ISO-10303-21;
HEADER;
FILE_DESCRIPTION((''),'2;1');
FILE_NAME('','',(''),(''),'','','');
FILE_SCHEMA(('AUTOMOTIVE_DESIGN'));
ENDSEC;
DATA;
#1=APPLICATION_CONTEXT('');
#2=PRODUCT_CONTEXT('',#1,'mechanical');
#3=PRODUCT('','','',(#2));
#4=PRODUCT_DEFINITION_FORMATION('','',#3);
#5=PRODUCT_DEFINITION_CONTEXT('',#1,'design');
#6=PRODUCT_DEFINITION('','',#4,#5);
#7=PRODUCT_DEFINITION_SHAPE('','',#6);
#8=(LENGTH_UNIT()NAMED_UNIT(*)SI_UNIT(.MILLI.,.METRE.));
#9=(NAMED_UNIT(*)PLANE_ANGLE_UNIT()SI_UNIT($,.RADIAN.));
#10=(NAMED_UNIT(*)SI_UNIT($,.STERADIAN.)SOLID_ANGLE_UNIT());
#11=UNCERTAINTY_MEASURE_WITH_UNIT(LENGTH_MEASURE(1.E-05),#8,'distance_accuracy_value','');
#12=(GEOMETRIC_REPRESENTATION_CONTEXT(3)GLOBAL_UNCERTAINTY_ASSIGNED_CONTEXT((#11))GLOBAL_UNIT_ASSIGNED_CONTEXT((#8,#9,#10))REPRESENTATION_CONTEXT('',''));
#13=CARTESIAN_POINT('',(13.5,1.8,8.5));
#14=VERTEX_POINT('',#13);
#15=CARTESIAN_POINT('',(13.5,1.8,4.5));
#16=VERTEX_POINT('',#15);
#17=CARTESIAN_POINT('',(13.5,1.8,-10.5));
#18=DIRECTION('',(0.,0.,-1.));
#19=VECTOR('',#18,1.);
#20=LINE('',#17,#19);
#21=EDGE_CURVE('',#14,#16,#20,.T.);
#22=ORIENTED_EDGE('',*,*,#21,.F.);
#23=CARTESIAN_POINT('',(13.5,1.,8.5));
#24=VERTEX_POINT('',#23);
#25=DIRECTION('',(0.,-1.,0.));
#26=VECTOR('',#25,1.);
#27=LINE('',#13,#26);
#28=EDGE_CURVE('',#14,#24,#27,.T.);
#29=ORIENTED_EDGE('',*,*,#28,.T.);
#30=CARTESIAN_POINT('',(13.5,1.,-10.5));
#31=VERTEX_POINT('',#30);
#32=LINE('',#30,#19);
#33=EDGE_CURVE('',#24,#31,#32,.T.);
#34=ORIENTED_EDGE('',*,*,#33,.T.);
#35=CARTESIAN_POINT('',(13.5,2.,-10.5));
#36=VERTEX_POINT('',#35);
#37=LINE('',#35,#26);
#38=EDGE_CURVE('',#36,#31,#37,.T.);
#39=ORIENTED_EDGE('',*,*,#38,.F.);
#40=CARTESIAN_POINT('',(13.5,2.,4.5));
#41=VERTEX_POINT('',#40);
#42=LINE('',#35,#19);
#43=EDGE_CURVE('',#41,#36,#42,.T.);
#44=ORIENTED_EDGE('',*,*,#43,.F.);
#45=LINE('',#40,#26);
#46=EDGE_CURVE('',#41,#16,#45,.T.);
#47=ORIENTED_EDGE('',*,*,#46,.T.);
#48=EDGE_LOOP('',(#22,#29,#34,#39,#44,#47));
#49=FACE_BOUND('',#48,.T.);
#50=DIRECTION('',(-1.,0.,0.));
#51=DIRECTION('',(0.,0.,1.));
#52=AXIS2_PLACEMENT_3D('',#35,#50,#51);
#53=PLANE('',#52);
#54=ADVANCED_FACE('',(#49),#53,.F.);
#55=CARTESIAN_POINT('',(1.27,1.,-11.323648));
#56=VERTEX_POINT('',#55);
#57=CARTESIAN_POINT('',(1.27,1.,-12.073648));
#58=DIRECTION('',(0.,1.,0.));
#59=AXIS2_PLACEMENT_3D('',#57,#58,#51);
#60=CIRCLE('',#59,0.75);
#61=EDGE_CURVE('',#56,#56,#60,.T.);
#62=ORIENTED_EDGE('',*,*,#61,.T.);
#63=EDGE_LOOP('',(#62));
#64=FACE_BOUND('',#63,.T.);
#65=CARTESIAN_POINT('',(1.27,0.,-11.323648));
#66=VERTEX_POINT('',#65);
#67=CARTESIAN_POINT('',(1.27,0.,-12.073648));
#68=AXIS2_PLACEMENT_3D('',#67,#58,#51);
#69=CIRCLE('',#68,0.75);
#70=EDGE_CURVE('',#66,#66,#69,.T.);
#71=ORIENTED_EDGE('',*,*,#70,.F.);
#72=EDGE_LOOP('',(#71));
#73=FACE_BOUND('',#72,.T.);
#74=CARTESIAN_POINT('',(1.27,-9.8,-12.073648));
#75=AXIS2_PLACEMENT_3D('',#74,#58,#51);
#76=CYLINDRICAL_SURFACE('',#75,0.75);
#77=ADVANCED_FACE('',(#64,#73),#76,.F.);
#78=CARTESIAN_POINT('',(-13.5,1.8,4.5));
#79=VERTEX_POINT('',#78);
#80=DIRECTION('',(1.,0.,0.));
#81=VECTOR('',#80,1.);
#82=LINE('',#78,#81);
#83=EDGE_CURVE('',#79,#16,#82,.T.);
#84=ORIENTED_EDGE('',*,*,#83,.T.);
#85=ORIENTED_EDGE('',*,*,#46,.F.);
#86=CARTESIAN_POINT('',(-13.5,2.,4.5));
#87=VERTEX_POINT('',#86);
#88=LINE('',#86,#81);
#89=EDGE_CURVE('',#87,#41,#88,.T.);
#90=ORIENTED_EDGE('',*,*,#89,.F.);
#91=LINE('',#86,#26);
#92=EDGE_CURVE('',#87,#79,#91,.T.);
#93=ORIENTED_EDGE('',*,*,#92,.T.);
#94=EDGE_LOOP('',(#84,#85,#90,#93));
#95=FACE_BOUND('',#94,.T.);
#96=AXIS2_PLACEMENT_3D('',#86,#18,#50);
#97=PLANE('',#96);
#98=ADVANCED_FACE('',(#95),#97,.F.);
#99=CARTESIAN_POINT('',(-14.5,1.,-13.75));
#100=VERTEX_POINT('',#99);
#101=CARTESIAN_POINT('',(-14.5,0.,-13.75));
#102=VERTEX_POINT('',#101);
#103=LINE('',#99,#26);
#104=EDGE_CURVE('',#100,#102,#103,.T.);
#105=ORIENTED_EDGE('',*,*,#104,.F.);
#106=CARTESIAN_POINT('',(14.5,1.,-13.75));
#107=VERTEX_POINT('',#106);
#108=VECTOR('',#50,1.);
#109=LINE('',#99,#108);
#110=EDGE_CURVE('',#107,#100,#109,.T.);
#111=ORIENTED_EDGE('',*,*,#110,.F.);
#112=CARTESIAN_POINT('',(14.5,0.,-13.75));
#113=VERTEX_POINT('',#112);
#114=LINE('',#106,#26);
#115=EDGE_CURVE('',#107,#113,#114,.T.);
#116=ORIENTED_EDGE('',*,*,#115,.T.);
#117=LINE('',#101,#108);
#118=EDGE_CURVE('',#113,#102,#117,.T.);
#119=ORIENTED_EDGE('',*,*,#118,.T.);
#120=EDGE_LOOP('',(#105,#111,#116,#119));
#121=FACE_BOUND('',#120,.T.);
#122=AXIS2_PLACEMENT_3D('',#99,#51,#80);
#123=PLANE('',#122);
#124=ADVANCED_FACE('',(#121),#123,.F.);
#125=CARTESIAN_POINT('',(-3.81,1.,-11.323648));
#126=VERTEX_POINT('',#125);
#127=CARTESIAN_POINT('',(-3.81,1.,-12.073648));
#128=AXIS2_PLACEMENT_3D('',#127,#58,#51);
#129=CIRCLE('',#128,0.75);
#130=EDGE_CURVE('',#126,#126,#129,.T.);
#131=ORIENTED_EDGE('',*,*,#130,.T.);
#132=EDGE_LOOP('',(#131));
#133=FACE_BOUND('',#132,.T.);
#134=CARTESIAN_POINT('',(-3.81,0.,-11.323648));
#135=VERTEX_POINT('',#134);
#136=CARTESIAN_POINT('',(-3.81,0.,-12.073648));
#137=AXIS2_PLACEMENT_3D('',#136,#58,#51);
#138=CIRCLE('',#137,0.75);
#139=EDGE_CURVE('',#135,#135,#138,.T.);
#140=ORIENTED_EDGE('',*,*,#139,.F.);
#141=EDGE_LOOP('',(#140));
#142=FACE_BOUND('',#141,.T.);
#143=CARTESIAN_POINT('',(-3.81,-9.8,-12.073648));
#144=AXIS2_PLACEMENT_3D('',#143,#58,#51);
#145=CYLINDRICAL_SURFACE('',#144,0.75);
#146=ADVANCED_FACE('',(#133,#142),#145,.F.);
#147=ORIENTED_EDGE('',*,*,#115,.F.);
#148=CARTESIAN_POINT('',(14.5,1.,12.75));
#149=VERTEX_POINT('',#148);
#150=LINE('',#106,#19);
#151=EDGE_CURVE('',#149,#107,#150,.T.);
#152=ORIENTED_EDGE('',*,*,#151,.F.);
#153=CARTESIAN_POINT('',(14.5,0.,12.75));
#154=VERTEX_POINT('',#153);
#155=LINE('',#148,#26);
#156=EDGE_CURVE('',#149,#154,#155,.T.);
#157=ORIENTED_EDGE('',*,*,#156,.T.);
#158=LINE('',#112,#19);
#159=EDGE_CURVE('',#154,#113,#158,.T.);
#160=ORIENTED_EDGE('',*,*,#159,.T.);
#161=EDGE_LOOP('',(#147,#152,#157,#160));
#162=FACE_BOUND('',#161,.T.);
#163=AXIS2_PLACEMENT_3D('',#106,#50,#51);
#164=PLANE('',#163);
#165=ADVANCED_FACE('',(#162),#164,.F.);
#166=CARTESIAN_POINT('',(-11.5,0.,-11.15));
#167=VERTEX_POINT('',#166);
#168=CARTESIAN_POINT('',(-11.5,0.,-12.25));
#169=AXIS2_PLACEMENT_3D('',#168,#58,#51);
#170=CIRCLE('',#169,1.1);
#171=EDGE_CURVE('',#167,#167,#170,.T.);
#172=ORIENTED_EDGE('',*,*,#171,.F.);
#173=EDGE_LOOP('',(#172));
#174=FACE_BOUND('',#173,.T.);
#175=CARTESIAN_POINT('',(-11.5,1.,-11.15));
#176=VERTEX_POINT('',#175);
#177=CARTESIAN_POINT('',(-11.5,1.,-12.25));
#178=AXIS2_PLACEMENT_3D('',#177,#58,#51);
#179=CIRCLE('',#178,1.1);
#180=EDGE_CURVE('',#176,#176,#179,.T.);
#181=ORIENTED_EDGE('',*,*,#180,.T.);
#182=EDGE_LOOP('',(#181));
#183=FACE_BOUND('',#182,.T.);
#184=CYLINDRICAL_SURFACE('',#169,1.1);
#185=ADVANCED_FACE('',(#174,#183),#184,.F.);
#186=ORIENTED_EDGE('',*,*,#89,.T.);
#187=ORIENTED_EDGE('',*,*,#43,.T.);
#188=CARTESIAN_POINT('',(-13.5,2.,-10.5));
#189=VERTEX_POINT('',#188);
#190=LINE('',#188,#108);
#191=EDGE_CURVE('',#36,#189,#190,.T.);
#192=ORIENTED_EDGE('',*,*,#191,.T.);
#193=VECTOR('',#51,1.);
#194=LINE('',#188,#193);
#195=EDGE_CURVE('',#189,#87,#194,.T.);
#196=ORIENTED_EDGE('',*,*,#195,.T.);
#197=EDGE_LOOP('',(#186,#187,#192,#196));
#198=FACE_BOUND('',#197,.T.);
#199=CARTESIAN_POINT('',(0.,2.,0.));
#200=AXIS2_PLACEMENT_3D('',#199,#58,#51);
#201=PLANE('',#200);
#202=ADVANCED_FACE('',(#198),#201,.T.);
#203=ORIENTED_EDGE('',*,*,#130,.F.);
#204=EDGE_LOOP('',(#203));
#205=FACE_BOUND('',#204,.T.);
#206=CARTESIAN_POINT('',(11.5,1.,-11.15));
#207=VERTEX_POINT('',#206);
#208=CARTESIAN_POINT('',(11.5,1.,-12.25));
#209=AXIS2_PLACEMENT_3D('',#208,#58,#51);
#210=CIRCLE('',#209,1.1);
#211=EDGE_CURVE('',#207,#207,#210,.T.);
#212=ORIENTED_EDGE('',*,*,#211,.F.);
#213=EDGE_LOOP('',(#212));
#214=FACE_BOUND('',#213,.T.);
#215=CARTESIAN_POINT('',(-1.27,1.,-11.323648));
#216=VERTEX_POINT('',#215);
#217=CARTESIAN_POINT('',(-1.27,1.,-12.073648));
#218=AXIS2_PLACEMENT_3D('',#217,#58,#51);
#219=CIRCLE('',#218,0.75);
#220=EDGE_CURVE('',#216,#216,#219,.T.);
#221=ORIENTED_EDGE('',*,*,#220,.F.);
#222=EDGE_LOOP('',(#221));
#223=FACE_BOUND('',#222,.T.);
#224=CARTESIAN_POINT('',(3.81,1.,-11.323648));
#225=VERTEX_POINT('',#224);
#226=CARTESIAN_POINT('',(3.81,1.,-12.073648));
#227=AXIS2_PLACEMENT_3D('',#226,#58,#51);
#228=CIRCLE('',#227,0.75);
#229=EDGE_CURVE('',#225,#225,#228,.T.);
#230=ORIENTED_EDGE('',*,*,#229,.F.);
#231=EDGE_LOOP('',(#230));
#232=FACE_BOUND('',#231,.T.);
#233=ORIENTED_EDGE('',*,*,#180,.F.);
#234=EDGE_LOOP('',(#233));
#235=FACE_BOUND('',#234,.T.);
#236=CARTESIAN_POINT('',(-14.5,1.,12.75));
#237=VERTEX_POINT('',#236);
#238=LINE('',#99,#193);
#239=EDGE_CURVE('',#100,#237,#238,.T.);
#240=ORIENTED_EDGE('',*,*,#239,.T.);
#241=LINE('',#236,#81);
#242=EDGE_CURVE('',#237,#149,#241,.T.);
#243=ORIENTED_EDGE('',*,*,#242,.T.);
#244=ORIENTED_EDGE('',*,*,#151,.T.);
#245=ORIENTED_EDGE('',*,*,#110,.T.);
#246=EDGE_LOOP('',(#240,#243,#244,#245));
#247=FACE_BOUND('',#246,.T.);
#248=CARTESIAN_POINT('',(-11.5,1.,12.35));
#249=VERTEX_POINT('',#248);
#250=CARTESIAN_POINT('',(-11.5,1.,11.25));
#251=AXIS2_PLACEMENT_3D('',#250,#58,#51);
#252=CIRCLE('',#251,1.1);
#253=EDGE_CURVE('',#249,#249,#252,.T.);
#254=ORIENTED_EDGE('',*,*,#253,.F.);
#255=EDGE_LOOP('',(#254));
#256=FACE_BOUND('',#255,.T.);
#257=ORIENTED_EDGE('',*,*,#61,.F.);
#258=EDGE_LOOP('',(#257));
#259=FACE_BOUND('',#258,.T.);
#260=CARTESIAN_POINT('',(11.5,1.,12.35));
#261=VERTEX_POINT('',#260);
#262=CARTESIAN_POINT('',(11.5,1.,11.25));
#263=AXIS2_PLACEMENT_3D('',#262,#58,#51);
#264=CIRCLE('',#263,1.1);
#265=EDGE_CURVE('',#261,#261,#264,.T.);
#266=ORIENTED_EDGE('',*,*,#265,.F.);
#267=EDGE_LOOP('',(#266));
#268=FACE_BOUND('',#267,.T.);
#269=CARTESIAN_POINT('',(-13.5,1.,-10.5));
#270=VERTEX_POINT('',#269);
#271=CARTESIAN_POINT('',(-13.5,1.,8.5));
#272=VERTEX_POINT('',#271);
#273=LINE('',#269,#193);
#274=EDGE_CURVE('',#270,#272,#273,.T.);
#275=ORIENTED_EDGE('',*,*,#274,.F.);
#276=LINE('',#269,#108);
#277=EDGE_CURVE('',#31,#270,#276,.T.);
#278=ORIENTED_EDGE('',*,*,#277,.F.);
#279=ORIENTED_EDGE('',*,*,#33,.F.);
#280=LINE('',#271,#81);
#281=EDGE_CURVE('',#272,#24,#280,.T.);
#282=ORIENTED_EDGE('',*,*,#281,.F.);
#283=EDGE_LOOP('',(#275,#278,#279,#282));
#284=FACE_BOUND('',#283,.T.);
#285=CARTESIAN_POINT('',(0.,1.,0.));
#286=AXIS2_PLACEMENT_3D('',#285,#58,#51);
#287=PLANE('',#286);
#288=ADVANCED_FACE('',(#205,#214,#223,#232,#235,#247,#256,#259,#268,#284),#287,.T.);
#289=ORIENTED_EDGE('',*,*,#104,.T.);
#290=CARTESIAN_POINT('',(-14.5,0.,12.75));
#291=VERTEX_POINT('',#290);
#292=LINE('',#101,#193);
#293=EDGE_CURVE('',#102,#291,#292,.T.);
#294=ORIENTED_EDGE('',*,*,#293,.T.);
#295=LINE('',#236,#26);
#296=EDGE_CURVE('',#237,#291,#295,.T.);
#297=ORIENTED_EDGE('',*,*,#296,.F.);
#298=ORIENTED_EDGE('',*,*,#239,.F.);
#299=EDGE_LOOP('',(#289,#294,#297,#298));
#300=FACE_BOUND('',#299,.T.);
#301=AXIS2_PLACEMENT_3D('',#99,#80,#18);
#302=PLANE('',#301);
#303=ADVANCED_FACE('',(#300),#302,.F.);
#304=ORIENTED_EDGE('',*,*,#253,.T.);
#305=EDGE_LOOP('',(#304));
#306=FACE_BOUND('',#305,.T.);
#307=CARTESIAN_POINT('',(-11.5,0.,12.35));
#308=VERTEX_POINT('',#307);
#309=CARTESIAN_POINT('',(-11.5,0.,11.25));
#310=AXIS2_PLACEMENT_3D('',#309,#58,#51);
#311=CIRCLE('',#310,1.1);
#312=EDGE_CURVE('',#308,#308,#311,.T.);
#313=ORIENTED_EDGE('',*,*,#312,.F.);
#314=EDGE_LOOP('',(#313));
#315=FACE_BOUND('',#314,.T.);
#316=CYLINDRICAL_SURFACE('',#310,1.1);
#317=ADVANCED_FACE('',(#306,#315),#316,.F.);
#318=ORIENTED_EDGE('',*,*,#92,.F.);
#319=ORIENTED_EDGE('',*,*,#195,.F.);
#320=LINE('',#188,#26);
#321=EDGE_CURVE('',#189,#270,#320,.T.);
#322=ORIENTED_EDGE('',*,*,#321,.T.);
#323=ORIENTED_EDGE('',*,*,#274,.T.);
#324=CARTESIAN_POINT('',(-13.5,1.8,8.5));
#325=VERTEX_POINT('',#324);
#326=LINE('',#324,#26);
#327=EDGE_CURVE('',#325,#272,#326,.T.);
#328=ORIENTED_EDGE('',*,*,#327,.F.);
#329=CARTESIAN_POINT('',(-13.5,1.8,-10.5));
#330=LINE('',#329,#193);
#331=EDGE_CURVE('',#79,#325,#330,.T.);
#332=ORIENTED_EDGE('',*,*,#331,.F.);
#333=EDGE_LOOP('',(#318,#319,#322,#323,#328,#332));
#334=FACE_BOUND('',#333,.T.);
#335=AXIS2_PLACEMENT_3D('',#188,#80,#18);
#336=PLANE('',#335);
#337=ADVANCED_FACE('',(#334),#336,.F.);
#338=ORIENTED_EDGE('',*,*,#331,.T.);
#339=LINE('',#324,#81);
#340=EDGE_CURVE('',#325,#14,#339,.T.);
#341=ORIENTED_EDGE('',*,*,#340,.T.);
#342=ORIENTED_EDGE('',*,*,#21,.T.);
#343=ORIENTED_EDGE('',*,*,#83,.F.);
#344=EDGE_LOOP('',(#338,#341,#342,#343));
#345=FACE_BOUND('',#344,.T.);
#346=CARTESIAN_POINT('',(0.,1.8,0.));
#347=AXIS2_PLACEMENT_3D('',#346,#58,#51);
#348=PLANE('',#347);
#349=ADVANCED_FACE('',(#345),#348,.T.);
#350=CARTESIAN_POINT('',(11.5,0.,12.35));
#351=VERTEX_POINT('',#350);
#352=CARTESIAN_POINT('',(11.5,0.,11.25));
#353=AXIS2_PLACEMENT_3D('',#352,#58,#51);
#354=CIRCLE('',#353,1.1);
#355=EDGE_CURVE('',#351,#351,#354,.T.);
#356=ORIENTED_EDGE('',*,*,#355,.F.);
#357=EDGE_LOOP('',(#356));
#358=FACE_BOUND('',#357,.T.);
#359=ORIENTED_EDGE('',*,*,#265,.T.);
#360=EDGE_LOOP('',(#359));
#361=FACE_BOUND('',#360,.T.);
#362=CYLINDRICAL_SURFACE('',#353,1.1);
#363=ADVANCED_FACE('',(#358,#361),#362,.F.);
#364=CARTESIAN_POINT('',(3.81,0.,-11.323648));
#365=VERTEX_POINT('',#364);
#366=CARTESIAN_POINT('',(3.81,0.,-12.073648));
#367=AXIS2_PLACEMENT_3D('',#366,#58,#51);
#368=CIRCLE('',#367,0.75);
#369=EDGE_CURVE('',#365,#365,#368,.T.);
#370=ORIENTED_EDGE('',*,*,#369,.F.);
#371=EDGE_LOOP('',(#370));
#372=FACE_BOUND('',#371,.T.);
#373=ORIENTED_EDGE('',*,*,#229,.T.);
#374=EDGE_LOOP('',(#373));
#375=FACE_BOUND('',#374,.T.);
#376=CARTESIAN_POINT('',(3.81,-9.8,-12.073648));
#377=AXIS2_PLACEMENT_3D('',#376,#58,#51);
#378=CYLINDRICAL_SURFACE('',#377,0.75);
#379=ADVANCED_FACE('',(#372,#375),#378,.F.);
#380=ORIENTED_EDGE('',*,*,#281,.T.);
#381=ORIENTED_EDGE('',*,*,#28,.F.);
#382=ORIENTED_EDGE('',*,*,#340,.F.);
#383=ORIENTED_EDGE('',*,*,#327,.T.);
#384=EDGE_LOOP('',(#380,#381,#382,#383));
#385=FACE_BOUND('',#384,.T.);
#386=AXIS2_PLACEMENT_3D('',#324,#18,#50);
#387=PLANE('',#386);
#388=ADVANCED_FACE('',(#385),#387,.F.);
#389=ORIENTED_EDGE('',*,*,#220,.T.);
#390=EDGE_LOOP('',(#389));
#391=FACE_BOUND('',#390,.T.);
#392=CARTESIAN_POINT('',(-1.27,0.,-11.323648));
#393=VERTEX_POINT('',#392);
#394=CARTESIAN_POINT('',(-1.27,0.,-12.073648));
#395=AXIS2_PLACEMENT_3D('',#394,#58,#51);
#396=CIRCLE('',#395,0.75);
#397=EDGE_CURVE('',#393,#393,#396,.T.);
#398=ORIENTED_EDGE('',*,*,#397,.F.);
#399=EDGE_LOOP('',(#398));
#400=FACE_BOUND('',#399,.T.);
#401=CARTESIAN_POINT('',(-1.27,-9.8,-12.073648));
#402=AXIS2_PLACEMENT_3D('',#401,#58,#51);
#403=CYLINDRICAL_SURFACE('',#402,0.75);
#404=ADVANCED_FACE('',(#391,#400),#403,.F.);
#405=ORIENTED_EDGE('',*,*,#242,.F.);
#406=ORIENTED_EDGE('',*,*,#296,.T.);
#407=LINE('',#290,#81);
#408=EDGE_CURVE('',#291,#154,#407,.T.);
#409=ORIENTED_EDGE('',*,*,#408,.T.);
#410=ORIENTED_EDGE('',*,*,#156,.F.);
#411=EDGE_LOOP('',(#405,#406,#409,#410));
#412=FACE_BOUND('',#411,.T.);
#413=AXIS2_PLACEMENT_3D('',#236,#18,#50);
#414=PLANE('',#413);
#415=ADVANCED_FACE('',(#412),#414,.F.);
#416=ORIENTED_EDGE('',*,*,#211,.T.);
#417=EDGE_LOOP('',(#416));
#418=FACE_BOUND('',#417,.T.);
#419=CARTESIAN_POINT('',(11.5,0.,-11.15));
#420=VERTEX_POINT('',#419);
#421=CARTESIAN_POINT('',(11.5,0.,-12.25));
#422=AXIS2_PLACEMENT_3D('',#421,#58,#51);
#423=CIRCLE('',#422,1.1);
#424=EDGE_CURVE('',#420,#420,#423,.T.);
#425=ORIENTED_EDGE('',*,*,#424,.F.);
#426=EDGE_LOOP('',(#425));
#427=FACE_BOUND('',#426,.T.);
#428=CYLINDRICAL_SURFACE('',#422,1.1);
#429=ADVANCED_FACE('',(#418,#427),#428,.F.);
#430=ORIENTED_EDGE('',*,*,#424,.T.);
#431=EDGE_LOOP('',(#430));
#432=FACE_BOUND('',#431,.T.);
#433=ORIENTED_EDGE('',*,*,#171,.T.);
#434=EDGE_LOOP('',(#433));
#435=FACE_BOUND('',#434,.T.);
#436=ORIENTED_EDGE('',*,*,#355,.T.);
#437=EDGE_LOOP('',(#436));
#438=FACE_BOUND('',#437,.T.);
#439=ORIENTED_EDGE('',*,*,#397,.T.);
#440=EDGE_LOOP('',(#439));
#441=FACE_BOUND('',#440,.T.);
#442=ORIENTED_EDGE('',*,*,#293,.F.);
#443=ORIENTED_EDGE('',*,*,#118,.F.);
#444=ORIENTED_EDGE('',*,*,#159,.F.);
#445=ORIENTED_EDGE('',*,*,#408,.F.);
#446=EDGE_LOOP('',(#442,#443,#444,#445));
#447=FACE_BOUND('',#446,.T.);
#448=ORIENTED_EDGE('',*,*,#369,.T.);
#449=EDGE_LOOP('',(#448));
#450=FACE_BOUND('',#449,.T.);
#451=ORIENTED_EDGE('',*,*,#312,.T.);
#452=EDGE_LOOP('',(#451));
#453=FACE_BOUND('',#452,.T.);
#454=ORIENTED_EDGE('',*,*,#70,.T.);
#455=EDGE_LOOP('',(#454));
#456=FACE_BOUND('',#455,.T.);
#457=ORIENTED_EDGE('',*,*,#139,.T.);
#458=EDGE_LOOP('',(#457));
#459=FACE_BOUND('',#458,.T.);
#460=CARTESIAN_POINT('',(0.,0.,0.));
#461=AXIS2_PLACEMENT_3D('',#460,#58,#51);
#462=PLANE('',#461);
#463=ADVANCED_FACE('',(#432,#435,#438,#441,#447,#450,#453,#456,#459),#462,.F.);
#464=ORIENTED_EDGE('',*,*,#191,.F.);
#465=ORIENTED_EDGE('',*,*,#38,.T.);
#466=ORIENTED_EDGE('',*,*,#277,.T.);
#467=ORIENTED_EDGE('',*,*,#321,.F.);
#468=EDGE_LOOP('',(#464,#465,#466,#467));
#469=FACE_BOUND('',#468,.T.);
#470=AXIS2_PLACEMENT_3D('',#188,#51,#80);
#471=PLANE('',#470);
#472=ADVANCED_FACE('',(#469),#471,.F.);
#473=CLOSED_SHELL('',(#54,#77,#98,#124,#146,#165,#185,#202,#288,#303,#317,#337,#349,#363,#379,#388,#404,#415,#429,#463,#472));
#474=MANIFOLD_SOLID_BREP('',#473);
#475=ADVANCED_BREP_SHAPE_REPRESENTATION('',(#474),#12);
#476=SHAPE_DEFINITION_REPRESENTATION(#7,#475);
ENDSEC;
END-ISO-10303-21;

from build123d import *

# Parameters (mm, degrees)
SKETCH1_W           = 29
SKETCH1_H           = 26.5
BOSS_EXTRUDE1_DEPTH = 1
SKETCH2_R           = 1.1
CUT_EXTRUDE1_DEPTH  = 1
SKETCH3_W           = 27
SKETCH3_H           = 15
BOSS_EXTRUDE2_DEPTH = 1
SKETCH4_W           = 27
SKETCH4_H           = 19
BOSS_EXTRUDE3_DEPTH = 0.8
SKETCH5_R           = 0.75
CUT_EXTRUDE2_DEPTH  = 10.8


with BuildPart() as part:
    # Sketch1 → Boss-Extrude1 (new body)
    with BuildSketch(Plane(origin=(0, 0, 0), x_dir=(1, 0, 0), z_dir=(0, 1, 0))):
        with Locations((0, 0.5)):
            Rectangle(SKETCH1_W, SKETCH1_H)
    extrude(amount=BOSS_EXTRUDE1_DEPTH)

    # Sketch2 → Cut-Extrude1 (cut)
    with BuildSketch(Plane(origin=(0, 1, 0), x_dir=(1, 0, 0), z_dir=(0, 1, 0))):
        with Locations((-11.5, 12.25)):
            Circle(SKETCH2_R)
        with Locations((11.5, 12.25)):
            Circle(SKETCH2_R)
        with Locations((-11.5, -11.25)):
            Circle(SKETCH2_R)
        with Locations((11.5, -11.25)):
            Circle(SKETCH2_R)
    extrude(amount=-CUT_EXTRUDE1_DEPTH, mode=Mode.SUBTRACT)

    # Sketch3 → Boss-Extrude2 (add)
    with BuildSketch(Plane(origin=(0, 1, 0), x_dir=(1, 0, 0), z_dir=(0, 1, 0))):
        with Locations((0, 3)):
            Rectangle(SKETCH3_W, SKETCH3_H)
    extrude(amount=BOSS_EXTRUDE2_DEPTH)

    # Sketch4 → Boss-Extrude3 (add)
    with BuildSketch(Plane(origin=(0, 1, 0), x_dir=(1, 0, 0), z_dir=(0, 1, 0))):
        with Locations((0, 1)):
            Rectangle(SKETCH4_W, SKETCH4_H)
    extrude(amount=BOSS_EXTRUDE3_DEPTH)

    # Sketch5 → Cut-Extrude2 (cut)
    with BuildSketch(Plane(origin=(0, 1, 0), x_dir=(1, 0, 0), z_dir=(0, 1, 0))):
        with Locations((-1.27, 12.07364825)):
            Circle(SKETCH5_R)
        with Locations((1.27, 12.07364825)):
            Circle(SKETCH5_R)
        with Locations((3.81, 12.07364825)):
            Circle(SKETCH5_R)
        with Locations((-3.81, 12.07364825)):
            Circle(SKETCH5_R)
    extrude(amount=-CUT_EXTRUDE2_DEPTH, mode=Mode.SUBTRACT)


solid = part.part
